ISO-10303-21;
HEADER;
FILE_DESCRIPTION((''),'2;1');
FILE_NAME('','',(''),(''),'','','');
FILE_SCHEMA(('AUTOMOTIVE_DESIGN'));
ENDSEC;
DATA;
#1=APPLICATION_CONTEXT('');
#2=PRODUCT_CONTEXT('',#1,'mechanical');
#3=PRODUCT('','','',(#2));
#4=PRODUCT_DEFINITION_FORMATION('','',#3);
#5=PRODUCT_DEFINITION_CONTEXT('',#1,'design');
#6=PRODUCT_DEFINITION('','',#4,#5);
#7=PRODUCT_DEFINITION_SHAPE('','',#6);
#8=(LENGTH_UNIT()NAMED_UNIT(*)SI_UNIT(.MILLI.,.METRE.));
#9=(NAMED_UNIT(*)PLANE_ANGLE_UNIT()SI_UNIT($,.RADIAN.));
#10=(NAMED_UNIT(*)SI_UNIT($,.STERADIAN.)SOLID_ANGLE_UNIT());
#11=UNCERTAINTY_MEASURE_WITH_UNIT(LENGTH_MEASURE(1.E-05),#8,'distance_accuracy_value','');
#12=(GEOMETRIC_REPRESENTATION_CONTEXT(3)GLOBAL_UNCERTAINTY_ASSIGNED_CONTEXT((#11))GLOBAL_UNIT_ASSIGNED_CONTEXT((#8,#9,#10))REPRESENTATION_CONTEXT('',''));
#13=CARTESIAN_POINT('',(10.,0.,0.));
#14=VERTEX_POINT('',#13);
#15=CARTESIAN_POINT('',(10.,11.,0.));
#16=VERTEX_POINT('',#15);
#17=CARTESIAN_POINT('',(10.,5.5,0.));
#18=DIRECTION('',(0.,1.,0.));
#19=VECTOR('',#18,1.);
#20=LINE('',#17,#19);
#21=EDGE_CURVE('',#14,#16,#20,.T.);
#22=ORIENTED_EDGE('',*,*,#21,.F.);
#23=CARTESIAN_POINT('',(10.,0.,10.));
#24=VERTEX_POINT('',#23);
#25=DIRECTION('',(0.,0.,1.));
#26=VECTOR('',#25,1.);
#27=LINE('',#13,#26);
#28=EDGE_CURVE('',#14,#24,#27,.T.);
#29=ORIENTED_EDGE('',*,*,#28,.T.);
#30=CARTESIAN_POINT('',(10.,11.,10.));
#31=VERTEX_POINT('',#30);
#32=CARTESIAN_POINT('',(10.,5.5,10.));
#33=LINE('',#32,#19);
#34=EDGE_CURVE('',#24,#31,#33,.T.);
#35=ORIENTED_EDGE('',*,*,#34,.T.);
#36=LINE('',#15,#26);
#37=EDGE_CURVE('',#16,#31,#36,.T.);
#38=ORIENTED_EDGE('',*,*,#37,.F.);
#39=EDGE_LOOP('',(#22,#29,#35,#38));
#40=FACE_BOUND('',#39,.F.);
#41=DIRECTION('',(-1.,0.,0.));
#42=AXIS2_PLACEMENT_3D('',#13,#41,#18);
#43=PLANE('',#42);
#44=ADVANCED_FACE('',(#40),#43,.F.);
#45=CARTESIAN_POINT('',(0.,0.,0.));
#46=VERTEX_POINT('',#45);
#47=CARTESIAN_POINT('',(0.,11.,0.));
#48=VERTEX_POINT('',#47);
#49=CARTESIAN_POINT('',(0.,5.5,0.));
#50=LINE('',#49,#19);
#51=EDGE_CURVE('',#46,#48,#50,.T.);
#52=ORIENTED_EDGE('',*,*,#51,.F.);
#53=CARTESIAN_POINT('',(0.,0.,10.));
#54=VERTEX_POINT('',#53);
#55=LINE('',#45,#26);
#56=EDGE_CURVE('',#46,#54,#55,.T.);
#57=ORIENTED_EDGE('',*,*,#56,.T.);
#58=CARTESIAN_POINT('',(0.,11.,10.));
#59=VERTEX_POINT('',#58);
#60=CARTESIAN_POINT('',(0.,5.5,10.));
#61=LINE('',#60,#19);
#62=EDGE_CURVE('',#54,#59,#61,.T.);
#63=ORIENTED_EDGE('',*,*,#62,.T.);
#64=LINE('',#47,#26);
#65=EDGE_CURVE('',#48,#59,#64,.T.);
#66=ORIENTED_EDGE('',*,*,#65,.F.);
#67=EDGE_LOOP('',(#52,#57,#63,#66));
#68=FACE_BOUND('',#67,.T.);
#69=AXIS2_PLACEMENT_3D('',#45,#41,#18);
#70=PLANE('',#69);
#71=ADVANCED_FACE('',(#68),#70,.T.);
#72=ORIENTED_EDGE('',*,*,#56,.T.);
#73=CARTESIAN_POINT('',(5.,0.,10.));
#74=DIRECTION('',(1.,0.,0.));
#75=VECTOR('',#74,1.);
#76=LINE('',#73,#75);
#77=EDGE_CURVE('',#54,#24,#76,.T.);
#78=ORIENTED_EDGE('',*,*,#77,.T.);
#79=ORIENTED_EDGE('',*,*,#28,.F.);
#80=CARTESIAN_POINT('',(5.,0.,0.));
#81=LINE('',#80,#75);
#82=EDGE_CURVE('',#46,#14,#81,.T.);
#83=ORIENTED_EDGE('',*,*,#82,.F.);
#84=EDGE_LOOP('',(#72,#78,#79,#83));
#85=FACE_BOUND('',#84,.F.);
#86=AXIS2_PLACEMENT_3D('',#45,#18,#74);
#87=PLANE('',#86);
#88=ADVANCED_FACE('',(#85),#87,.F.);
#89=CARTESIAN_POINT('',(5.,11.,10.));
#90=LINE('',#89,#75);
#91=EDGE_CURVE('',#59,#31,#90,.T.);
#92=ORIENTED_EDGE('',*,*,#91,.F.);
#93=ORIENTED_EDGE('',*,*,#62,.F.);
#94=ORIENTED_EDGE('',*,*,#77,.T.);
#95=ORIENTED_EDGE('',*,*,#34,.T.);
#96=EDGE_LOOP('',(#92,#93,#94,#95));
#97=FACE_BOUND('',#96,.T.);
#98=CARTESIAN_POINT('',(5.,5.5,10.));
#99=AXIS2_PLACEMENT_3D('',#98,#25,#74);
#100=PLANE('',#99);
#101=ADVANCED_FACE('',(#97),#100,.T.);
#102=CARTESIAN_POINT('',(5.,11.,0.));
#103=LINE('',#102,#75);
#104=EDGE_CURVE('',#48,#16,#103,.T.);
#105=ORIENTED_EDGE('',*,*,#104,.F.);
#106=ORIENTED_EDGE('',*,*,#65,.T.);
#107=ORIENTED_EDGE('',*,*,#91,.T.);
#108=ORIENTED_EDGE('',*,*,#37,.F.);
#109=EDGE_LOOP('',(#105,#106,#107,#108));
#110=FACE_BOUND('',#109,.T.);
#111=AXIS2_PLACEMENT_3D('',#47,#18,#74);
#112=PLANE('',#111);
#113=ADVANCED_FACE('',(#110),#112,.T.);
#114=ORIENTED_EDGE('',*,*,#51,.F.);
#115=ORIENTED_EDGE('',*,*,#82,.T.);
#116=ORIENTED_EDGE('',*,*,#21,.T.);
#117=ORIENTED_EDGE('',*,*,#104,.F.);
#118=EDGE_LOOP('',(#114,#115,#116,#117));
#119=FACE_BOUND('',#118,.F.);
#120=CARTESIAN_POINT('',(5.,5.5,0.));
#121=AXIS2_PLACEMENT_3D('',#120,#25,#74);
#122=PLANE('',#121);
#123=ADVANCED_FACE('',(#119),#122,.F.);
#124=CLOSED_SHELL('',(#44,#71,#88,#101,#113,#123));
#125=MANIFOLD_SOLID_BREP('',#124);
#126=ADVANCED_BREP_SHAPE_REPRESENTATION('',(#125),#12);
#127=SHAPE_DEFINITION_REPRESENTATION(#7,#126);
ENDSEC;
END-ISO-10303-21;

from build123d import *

# Parameters (mm, degrees)
BOX_W     = 10
BOX_H     = 11
BOX_DEPTH = 10


with BuildPart() as part:
    # Box → Box (new body)
    with BuildSketch(Plane.XY):
        with Locations((5, 5.5)):
            Rectangle(BOX_W, BOX_H)
    extrude(amount=BOX_DEPTH)


solid = part.part
